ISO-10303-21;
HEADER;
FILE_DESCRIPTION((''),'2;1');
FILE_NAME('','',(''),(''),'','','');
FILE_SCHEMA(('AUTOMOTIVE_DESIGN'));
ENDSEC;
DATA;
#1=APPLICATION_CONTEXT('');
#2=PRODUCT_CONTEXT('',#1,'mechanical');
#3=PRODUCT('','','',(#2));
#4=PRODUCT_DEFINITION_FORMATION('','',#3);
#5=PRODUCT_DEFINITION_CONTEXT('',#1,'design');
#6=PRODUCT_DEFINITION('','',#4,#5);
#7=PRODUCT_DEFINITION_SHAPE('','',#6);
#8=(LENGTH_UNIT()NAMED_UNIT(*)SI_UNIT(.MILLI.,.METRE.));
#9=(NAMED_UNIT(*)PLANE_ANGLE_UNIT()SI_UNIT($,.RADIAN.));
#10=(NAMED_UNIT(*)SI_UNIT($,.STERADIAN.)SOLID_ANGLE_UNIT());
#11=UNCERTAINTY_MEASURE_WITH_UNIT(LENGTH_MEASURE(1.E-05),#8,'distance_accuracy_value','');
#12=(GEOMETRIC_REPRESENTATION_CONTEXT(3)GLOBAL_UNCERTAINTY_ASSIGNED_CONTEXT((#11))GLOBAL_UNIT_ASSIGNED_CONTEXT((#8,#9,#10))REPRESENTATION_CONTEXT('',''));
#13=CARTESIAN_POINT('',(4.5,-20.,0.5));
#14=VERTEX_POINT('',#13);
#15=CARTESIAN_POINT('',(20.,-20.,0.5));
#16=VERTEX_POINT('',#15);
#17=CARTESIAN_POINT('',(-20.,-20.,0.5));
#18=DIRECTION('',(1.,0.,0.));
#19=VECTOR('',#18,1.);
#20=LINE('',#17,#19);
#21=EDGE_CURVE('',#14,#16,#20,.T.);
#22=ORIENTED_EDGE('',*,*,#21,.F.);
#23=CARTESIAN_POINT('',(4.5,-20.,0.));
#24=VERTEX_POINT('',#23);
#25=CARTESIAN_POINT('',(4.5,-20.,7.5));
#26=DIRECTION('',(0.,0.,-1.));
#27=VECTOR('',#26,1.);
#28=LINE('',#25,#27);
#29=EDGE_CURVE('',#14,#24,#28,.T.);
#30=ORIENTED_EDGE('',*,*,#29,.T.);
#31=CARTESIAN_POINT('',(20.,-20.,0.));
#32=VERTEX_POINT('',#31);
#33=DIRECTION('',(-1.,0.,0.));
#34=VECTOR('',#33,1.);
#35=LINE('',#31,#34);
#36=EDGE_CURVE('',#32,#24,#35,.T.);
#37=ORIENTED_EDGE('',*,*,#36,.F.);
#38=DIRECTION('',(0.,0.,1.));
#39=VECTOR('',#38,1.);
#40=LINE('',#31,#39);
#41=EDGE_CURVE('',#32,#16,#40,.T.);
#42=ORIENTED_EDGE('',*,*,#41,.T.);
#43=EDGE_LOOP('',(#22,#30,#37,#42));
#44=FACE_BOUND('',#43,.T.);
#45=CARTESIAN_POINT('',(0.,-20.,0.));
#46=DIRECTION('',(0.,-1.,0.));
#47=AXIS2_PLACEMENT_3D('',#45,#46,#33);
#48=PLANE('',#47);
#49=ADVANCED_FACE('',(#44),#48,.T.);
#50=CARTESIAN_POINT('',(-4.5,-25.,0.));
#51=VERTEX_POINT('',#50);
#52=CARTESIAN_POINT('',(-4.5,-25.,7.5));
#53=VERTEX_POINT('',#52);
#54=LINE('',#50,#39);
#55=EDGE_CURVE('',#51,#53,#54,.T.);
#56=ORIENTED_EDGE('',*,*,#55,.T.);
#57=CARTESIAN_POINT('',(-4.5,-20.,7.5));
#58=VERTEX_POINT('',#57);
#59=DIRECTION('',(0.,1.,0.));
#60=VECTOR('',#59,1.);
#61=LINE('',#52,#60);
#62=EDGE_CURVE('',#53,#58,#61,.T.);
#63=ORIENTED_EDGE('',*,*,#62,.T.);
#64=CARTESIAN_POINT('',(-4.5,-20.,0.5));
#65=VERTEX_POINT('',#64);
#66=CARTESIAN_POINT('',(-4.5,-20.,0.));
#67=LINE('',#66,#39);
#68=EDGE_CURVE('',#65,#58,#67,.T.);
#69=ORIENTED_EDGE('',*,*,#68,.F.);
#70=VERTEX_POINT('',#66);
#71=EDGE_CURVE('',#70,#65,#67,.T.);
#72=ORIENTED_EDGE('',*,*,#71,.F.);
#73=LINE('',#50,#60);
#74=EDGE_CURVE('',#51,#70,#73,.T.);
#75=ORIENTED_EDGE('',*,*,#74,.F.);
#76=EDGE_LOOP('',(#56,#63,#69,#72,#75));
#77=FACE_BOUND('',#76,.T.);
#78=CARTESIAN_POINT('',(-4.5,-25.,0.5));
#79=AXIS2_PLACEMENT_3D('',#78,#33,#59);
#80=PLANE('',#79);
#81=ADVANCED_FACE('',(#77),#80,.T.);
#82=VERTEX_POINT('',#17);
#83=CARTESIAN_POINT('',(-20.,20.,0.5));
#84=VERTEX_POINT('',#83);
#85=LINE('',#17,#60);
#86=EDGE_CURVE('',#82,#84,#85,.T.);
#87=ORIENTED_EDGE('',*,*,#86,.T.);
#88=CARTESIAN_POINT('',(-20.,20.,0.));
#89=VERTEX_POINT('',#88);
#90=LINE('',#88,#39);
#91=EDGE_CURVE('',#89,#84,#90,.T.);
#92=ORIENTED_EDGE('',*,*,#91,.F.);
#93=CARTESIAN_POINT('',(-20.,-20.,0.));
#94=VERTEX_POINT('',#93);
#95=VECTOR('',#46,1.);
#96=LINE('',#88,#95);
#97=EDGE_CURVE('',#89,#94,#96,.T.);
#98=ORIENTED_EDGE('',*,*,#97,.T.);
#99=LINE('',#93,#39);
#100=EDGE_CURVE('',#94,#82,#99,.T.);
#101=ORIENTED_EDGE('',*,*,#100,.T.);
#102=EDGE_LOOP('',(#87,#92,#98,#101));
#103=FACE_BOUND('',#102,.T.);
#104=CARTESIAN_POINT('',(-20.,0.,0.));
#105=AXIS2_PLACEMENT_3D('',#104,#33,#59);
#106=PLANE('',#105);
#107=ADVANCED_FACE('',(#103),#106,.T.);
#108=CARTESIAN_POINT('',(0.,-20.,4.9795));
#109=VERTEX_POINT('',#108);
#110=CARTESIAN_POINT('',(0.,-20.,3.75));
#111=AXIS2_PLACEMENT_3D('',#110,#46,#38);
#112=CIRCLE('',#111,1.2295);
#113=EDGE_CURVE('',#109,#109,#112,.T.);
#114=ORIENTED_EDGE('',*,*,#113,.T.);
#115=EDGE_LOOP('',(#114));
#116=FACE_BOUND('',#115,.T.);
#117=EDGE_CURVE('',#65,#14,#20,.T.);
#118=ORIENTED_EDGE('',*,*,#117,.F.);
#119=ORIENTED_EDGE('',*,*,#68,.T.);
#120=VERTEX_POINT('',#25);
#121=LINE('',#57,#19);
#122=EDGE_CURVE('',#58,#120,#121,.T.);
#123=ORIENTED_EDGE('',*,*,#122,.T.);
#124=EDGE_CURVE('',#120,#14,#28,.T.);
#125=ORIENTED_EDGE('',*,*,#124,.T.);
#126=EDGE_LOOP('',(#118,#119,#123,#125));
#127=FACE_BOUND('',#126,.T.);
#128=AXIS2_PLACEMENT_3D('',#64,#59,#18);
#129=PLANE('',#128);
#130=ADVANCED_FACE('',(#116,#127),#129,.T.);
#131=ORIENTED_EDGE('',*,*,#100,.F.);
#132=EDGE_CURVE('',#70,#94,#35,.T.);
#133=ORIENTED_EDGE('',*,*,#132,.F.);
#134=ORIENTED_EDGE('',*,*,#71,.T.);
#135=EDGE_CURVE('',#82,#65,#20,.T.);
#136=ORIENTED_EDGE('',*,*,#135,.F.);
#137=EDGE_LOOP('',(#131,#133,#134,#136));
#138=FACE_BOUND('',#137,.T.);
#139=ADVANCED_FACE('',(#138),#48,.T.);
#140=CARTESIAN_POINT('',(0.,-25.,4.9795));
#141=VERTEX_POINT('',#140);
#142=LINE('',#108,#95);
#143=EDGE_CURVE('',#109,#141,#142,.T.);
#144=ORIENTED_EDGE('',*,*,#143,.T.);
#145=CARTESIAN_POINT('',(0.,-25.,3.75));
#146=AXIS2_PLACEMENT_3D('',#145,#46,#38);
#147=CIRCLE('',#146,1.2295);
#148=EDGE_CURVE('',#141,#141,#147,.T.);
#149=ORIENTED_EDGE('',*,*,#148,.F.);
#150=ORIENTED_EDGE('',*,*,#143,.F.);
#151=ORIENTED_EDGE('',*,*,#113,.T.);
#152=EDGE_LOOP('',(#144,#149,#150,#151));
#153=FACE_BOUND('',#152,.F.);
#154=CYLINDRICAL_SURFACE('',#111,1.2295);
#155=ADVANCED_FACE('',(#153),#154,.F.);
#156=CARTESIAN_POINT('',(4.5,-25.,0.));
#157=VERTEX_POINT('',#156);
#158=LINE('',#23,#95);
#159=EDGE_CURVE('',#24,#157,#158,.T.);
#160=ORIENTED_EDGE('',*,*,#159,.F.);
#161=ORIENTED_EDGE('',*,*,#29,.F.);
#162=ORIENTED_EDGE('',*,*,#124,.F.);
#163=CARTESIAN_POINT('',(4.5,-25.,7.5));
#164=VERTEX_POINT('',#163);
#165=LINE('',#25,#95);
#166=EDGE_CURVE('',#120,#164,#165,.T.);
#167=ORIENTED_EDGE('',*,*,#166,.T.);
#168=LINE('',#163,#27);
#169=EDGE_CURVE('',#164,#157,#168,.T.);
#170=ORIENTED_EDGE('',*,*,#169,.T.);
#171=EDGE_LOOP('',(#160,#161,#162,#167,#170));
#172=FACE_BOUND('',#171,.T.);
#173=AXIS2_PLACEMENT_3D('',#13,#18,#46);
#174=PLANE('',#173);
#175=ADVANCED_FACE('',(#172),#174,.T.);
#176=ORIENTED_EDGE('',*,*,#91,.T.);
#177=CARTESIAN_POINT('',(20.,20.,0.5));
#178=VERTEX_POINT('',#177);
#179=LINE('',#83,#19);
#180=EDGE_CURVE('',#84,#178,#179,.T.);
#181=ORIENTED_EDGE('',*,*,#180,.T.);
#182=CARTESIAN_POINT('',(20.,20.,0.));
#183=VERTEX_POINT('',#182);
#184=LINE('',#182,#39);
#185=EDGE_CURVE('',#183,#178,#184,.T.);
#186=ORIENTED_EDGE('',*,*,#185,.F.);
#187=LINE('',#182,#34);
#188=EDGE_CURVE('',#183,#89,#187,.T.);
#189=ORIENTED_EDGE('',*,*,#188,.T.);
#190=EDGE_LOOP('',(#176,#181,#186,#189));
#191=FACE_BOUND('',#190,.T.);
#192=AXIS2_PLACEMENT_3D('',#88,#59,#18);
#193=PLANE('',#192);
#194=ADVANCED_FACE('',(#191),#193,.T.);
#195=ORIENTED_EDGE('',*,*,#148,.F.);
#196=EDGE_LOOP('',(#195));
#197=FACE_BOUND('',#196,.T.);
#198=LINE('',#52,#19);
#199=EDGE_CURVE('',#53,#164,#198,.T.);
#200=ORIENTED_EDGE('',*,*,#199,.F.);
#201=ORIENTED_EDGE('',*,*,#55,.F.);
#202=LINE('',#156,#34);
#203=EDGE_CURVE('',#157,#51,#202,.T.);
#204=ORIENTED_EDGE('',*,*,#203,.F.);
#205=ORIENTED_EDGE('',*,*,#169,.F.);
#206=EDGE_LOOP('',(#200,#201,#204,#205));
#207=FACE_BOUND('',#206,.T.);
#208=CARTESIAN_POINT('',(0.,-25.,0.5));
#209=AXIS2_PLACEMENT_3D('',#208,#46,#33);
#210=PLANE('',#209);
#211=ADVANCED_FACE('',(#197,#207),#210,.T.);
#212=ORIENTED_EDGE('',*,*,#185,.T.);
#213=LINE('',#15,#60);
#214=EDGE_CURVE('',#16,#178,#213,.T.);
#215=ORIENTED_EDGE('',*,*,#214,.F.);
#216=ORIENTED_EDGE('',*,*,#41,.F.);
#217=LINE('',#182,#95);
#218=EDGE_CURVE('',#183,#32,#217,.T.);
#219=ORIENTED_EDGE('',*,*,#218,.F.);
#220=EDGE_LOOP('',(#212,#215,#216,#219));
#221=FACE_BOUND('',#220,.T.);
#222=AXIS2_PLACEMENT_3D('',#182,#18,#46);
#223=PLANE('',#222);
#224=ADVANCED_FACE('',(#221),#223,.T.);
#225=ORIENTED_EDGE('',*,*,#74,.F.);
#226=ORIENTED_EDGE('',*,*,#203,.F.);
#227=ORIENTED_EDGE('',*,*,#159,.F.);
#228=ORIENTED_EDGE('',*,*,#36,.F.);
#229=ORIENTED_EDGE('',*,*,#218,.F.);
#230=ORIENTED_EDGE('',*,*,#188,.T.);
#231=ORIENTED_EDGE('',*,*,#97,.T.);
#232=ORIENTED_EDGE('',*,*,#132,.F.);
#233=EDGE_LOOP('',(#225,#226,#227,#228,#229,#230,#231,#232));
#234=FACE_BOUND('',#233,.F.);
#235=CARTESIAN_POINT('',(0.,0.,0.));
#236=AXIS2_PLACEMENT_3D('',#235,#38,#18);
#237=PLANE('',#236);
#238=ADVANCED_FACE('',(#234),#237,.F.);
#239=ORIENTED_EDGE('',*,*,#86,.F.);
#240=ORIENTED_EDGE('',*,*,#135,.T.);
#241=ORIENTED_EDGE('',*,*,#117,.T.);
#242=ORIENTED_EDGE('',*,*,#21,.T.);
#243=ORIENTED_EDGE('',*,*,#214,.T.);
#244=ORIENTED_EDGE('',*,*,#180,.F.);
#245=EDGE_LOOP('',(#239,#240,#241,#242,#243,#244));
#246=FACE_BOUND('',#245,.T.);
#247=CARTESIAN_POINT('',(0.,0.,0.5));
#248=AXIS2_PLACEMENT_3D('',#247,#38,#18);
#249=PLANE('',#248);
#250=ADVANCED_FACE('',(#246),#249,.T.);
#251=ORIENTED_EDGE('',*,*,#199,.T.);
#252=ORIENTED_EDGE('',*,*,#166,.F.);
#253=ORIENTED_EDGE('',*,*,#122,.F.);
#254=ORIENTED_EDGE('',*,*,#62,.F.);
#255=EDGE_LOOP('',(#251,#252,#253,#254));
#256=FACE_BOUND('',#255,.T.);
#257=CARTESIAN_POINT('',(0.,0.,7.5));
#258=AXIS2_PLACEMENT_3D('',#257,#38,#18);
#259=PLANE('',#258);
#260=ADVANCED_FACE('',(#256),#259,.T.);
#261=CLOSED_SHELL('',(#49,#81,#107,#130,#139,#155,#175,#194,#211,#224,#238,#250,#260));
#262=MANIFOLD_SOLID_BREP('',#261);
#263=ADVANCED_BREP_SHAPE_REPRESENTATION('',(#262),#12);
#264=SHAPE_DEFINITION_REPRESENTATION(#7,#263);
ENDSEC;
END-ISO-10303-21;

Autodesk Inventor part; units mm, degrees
ref_plane "YZ Plane" through (0, 0, 0) normal (1, 0, 0) x (0, 1, 0)
ref_plane "XZ Plane" through (0, 0, 0) normal (0, 1, 0) x (-1, 0, 0)
ref_plane "XY Plane" through (0, 0, 0) normal (0, 0, 1) x (1, 0, 0)
sketch "Skizze1" plane through (0, 0, 0) normal (0, 0, 1) x (1, 0, 0)
  line L0 (-20, 20) -> (20, 20)
  line L1 (20, 20) -> (20, -20)
  line L2 (20, -20) -> (-20, -20)
  line L3 (-20, -20) -> (-20, 20)
  line L4 (0, 20) -> (0, -20)
  line L5 (-20, 0) -> (20, 0)
  point P0 (0, 0)
  point P1 (0, 0)
  point P2 (-20, 0)
  point P3 (0, 0)
  point P4 (20, 0)
  dimension "d1" = 40
  dimension "d2" = 40
extrude "Extrusion1" add sketch "Skizze1" along normal blind 0.5
sketch "Skizze2" plane through (0, 0, 0.5) normal (0, 0, 1) x (1, 0, 0)
  line L0 (-20, -20) -> (20, -20) projected
  line L1 (-4.5, -20) -> (4.5, -20)
  line L2 (4.5, -20) -> (4.5, -25)
  line L3 (4.5, -25) -> (-4.5, -25)
  line L4 (-4.5, -25) -> (-4.5, -20)
  line L5 (0, -20) -> (0, -25)
  point P0 (0, 0)
  dimension "d5" = 5
  dimension "d6" = 9
extrude "Extrusion2" add sketch "Skizze2" along normal blind 7 and the other way blind 0.5
sketch "Skizze3" plane through (-4.5, -20, 0.5) normal (0, 1, 0) x (1, 0, 0)
  line L0 (0, -7) -> (0, 0) projected
  line L1 (9, 0.5) -> (0, 0.5) projected
  line L2 (0, -7) -> (9, 0.5)
  line L3 (9, 0.5) -> (9, -6.5)
  line L4 (9, -6.5) -> (0, 0)
  circle A0 centre (4.5, -3.25) radius 0.5388
  point P0 (4.5, 0.5)
  point P1 (0, 0.5)
hole "Bohrung1" at (0, -20, 3.75) direction (0, -1, 0) diameter 2.459 end through all thread size "M3x0.5" class "6H" standard "ISO Metric profile"
equation "\"d2\" = d1"
properties part number "basicdifuser"
